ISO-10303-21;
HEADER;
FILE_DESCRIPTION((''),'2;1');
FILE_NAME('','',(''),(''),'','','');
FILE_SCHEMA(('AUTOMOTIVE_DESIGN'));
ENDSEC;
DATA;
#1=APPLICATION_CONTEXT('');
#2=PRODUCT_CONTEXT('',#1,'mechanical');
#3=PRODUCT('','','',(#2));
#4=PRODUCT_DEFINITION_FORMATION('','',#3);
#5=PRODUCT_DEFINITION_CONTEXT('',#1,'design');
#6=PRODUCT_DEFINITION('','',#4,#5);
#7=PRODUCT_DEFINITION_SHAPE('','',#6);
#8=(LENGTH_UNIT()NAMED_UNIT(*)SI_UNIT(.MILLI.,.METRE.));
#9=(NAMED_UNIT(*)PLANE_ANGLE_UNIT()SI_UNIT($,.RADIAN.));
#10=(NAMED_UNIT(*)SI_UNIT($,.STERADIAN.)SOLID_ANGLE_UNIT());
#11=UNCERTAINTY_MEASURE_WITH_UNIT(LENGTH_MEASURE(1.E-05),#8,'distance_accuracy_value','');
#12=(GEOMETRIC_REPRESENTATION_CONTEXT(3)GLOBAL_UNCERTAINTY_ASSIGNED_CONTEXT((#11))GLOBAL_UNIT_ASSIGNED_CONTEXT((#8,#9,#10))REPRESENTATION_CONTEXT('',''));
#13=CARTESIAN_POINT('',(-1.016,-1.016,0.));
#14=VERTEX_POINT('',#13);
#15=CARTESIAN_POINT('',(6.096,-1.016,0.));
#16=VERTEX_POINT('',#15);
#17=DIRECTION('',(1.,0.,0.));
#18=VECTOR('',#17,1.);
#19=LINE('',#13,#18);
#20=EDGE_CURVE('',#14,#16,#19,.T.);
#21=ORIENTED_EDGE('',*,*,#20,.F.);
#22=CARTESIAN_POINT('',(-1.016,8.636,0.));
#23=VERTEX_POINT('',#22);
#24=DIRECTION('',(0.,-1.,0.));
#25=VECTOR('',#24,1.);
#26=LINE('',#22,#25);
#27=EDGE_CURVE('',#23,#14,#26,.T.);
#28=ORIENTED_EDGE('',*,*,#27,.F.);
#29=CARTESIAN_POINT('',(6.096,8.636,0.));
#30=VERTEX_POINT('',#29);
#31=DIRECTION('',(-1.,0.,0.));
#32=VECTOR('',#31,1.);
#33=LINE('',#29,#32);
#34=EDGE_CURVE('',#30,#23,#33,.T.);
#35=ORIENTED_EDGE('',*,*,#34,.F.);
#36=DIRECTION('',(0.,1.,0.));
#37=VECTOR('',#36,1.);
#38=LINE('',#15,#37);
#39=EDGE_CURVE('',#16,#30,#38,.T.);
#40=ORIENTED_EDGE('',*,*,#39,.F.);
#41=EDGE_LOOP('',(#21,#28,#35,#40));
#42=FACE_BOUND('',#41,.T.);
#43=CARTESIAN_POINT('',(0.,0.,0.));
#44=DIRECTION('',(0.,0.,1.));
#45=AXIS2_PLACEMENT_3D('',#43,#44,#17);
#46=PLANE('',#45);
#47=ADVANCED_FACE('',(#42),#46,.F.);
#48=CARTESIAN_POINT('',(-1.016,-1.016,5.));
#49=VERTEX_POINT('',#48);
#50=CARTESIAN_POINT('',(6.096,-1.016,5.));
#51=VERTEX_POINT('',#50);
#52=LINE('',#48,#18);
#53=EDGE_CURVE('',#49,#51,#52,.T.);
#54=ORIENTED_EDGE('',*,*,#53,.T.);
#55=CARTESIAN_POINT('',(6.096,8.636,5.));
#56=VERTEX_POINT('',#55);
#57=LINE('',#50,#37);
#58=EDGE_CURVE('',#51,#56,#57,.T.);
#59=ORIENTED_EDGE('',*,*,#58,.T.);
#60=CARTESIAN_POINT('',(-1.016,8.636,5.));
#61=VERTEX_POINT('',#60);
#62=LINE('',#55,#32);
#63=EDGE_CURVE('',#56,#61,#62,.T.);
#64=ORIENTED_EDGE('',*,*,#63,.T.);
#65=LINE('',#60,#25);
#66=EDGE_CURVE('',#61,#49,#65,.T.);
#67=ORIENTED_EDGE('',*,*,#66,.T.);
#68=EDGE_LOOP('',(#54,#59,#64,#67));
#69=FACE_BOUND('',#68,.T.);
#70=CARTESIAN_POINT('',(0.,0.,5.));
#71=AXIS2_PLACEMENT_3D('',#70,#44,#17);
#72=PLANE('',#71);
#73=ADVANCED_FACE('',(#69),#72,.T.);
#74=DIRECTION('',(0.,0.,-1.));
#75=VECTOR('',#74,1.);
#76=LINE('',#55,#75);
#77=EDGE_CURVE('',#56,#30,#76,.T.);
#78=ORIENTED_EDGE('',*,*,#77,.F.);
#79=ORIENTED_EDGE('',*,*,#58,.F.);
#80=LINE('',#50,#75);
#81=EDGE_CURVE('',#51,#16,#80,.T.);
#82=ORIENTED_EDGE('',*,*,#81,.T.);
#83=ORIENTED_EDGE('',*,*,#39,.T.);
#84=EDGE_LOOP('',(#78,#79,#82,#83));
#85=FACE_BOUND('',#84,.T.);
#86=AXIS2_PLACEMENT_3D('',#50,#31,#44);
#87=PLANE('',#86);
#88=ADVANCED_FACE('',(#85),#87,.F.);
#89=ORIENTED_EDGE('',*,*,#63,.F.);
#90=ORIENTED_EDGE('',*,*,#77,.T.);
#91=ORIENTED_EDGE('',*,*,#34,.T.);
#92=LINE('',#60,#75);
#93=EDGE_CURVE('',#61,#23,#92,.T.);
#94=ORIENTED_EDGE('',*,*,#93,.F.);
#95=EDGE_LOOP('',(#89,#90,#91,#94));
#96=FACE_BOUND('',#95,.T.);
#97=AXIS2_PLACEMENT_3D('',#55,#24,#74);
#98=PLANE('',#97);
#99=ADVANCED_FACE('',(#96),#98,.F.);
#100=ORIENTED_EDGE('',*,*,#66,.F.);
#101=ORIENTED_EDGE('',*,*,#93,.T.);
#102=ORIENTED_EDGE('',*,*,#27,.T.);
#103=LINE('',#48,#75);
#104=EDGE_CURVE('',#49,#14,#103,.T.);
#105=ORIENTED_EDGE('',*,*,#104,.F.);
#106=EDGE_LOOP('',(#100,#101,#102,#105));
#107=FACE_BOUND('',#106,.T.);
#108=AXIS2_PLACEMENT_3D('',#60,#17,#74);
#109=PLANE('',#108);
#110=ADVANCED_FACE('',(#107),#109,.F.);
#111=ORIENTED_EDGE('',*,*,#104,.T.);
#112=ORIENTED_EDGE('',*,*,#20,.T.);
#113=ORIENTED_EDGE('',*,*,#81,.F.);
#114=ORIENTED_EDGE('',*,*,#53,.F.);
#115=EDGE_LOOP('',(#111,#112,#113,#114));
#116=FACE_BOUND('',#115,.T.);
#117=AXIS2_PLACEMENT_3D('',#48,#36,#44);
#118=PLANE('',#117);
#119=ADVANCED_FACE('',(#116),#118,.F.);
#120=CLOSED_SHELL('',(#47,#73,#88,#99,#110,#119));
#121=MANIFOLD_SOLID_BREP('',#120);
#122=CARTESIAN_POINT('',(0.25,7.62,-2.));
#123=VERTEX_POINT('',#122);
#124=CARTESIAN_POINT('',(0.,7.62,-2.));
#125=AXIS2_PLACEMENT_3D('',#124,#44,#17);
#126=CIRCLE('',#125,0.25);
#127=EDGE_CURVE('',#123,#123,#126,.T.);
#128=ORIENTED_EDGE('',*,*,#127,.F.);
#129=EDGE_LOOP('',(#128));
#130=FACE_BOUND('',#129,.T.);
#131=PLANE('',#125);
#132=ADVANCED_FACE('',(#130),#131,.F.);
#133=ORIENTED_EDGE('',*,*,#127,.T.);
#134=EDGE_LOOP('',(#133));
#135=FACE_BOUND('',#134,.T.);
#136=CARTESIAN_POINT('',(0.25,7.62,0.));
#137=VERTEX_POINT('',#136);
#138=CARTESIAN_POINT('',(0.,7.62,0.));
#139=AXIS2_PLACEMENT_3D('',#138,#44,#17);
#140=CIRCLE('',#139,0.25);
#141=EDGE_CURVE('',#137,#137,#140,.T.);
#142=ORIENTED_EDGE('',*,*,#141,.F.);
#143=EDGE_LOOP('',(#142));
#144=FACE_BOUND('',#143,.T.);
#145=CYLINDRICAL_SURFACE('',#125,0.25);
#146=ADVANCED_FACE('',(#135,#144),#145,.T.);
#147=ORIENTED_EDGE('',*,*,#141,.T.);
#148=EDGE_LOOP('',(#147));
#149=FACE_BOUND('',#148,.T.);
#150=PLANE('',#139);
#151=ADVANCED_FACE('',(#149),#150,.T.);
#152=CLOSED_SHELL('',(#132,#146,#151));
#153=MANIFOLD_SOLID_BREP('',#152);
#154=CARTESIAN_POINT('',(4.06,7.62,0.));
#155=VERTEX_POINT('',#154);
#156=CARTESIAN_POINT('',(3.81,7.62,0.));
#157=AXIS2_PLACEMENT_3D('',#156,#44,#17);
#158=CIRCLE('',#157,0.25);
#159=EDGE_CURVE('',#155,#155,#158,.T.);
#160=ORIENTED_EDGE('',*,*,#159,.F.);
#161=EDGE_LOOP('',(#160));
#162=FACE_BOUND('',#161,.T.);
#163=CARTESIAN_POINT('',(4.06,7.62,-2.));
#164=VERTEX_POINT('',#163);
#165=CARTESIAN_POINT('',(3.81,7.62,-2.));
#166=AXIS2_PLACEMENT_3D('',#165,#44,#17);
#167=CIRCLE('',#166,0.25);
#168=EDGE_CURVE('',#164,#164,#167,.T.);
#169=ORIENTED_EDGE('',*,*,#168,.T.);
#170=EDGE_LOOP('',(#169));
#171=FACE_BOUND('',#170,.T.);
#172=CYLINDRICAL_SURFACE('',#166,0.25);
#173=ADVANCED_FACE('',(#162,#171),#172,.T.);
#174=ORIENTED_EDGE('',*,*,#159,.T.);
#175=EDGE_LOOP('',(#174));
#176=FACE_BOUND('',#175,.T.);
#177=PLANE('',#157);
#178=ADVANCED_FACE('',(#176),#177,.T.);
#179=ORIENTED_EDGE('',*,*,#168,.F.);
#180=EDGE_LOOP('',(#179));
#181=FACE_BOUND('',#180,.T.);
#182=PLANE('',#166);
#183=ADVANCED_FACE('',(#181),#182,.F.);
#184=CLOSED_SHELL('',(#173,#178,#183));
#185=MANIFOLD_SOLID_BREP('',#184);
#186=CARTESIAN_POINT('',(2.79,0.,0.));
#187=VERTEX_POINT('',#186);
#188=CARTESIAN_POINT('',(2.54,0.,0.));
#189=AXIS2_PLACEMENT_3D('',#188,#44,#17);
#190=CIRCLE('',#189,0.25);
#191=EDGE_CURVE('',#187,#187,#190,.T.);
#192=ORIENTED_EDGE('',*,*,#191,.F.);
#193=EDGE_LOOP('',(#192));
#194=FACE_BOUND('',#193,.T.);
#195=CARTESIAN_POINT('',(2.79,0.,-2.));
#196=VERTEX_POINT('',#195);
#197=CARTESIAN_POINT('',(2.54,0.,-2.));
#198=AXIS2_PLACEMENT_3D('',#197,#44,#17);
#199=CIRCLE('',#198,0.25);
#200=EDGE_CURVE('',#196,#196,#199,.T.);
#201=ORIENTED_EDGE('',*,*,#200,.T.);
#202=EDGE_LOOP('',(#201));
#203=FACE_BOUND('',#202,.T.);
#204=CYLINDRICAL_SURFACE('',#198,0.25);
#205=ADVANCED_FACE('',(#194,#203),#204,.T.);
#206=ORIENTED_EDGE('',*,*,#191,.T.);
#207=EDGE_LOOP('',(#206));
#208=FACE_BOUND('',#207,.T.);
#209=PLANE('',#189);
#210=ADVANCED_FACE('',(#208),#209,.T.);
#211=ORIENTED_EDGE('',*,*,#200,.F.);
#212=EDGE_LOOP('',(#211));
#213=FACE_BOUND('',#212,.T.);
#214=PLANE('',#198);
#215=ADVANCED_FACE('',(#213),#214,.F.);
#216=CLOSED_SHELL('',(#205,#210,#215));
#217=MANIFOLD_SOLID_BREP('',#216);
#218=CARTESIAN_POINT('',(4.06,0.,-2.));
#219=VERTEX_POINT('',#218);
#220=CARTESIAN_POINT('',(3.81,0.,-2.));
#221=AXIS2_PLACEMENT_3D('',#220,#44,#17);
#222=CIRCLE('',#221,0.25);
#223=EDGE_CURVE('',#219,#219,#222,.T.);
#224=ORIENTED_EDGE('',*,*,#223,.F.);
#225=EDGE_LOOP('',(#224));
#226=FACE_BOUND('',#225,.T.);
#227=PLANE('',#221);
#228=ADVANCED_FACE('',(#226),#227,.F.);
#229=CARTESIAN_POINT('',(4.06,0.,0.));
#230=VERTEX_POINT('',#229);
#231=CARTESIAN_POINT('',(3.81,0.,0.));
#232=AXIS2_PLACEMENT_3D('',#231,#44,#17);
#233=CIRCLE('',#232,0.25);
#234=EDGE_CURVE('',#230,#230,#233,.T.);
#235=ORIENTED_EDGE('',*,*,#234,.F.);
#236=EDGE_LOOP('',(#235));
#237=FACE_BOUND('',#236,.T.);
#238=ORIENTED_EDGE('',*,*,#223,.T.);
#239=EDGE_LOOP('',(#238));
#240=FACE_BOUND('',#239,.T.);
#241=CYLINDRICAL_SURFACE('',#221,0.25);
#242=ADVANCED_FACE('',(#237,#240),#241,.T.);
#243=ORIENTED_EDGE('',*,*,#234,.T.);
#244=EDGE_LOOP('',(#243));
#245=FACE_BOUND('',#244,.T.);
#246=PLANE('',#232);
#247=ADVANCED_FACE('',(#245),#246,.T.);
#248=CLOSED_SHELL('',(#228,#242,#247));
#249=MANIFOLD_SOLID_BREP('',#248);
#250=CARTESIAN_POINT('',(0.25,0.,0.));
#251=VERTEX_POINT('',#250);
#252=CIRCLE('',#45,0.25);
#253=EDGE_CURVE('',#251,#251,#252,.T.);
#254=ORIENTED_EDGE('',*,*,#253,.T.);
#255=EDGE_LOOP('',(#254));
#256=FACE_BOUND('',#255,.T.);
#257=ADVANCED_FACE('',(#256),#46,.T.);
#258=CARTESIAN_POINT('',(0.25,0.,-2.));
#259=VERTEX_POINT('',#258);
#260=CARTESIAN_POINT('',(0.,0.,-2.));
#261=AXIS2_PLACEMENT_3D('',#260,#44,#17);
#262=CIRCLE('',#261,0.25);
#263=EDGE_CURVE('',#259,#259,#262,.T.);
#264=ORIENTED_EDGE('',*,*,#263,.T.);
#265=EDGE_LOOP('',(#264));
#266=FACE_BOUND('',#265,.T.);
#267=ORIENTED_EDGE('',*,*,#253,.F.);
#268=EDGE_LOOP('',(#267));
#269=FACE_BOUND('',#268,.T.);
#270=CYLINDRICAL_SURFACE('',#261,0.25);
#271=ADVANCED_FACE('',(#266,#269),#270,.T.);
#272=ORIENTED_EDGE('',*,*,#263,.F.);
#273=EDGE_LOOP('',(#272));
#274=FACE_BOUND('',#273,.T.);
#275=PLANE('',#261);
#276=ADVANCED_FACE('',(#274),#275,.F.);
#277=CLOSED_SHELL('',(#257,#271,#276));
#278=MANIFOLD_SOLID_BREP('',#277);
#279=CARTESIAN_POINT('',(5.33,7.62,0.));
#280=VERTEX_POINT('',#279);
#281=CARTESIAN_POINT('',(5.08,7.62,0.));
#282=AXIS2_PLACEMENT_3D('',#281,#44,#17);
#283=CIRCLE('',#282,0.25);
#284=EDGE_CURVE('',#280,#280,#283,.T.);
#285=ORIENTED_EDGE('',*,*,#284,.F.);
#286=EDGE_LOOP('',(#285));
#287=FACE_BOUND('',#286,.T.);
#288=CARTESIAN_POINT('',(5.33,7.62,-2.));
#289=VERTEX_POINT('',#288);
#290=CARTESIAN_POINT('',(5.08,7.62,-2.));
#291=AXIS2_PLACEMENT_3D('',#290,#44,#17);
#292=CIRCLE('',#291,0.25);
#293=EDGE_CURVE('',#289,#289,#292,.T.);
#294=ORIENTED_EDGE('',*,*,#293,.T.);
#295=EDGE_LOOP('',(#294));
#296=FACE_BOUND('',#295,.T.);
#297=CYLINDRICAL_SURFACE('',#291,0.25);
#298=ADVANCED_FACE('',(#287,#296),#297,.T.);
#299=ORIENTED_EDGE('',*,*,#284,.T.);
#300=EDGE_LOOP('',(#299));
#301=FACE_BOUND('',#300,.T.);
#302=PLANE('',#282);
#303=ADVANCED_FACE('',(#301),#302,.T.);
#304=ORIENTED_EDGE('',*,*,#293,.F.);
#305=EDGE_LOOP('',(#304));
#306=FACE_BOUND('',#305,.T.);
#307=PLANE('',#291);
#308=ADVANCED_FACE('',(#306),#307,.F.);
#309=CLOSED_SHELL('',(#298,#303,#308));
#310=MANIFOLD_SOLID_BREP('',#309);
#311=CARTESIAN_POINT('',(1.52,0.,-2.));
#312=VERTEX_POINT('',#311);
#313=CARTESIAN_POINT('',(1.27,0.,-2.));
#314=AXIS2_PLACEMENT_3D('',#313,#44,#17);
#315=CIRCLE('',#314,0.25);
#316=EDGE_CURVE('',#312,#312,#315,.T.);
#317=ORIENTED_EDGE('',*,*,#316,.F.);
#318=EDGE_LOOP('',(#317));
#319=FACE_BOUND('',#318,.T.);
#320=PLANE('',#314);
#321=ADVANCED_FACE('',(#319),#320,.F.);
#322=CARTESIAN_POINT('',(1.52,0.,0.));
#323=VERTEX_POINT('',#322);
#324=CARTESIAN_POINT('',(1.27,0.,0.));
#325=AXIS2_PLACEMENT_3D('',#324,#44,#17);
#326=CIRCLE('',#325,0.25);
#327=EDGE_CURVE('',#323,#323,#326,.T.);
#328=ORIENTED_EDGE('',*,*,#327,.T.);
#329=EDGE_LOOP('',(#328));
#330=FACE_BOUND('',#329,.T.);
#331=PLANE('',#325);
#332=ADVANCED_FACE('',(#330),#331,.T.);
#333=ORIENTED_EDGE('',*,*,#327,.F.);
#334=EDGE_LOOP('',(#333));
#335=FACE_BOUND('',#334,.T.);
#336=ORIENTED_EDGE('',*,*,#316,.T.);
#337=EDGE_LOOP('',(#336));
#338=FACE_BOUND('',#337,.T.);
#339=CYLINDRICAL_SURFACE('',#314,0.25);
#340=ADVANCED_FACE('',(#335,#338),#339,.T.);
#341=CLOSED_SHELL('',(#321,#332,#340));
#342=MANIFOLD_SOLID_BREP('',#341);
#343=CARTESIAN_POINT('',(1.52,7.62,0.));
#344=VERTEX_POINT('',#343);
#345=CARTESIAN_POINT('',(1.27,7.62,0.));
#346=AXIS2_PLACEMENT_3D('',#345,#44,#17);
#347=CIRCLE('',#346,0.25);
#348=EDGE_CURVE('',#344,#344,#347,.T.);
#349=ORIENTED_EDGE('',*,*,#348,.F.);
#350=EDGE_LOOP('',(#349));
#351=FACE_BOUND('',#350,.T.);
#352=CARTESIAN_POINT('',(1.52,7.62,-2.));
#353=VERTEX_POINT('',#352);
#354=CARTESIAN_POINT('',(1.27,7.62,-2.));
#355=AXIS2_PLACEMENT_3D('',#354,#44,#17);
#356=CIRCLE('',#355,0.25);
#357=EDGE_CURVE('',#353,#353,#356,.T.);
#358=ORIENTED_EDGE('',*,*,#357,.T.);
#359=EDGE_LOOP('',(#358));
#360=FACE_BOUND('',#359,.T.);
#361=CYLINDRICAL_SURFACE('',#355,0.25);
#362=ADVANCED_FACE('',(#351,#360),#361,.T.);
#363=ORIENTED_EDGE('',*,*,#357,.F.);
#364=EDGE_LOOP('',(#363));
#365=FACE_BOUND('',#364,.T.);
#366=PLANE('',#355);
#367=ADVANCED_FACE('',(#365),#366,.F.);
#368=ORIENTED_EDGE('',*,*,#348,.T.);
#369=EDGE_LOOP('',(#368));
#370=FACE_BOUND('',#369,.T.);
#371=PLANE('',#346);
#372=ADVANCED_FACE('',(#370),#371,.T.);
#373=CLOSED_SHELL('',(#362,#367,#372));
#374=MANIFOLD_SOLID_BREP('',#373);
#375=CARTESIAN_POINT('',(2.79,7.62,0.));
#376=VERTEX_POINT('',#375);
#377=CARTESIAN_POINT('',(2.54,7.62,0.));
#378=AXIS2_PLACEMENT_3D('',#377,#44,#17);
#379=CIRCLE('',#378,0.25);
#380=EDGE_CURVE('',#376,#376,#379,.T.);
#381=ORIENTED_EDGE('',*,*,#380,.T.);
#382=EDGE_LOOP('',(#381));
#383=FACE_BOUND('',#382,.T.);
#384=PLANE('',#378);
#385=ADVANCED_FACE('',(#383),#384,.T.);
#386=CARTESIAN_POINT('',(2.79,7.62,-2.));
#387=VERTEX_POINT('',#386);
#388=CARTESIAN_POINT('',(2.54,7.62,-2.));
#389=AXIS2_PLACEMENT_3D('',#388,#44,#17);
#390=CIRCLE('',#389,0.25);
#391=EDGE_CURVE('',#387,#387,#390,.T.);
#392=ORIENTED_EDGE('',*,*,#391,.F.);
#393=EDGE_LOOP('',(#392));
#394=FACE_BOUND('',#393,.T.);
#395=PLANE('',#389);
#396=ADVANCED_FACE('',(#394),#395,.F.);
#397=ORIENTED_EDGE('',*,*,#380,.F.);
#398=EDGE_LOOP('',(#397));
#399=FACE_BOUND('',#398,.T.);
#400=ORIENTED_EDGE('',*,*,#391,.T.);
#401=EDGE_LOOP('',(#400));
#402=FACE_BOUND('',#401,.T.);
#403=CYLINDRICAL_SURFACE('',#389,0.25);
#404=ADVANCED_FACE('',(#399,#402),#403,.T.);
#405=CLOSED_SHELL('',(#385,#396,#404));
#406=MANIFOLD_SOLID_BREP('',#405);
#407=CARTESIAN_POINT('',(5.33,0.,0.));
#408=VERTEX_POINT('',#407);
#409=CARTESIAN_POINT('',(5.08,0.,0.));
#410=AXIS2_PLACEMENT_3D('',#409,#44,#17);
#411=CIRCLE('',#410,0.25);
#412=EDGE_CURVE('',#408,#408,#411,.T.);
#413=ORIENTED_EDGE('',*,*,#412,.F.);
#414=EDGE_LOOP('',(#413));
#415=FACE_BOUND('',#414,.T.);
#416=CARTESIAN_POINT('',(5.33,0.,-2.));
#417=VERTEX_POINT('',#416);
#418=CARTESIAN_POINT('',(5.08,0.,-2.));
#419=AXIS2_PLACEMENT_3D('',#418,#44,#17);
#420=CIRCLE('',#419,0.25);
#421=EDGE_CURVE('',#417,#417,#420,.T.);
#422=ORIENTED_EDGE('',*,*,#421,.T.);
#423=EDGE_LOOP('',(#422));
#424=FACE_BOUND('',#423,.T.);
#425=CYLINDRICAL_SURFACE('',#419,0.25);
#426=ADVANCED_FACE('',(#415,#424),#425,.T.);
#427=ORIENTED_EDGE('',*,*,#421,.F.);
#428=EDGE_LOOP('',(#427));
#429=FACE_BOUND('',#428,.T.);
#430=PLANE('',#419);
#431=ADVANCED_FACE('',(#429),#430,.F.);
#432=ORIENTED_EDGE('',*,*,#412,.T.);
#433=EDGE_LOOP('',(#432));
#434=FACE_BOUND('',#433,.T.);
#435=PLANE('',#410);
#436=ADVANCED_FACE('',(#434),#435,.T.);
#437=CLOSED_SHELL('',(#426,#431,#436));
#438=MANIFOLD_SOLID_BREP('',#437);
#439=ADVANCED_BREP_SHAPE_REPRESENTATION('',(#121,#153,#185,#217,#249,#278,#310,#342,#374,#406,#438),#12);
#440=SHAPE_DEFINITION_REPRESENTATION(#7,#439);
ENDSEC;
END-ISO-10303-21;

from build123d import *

# Parameters (mm, degrees)
SKETCH1_W               = 7.112
SKETCH1_H               = 9.652
COMPONENT_OUTLINE_DEPTH = 5
SKETCH2_R               = 0.25
EXTRUDE_1_DEPTH         = 2
SKETCH3_R               = 0.25
EXTRUDE_2_DEPTH         = 2
SKETCH4_R               = 0.25
EXTRUDE_3_DEPTH         = 2
SKETCH5_R               = 0.25
EXTRUDE_4_DEPTH         = 2
SKETCH6_R               = 0.25
EXTRUDE_5_DEPTH         = 2
SKETCH7_R               = 0.25
EXTRUDE_6_DEPTH         = 2
SKETCH8_R               = 0.25
EXTRUDE_7_DEPTH         = 2
SKETCH9_R               = 0.25
EXTRUDE_8_DEPTH         = 2
SKETCH10_R              = 0.25
EXTRUDE_9_DEPTH         = 2
SKETCH11_R              = 0.25
EXTRUDE_10_DEPTH        = 2


with BuildPart() as part:
    # Sketch1 → Component_Outline (new body)
    with BuildSketch(Plane.XY):
        with Locations((2.54, 3.81)):
            Rectangle(SKETCH1_W, SKETCH1_H)
    extrude(amount=COMPONENT_OUTLINE_DEPTH)


with BuildPart() as body_2:
    # Sketch2 → Extrude 1 (new body)
    with BuildSketch(Plane.XY):
        Circle(SKETCH2_R)
    extrude(amount=-EXTRUDE_1_DEPTH)


with BuildPart() as body_3:
    # Sketch3 → Extrude 2 (new body)
    with BuildSketch(Plane.XY):
        with Locations((1.27, 0)):
            Circle(SKETCH3_R)
    extrude(amount=-EXTRUDE_2_DEPTH)


with BuildPart() as body_4:
    # Sketch4 → Extrude 3 (new body)
    with BuildSketch(Plane.XY):
        with Locations((2.54, 0)):
            Circle(SKETCH4_R)
    extrude(amount=-EXTRUDE_3_DEPTH)


with BuildPart() as body_5:
    # Sketch5 → Extrude 4 (new body)
    with BuildSketch(Plane.XY):
        with Locations((3.81, 0)):
            Circle(SKETCH5_R)
    extrude(amount=-EXTRUDE_4_DEPTH)


with BuildPart() as body_6:
    # Sketch6 → Extrude 5 (new body)
    with BuildSketch(Plane.XY):
        with Locations((5.08, 0)):
            Circle(SKETCH6_R)
    extrude(amount=-EXTRUDE_5_DEPTH)


with BuildPart() as body_7:
    # Sketch7 → Extrude 6 (new body)
    with BuildSketch(Plane.XY):
        with Locations((5.08, 7.62)):
            Circle(SKETCH7_R)
    extrude(amount=-EXTRUDE_6_DEPTH)


with BuildPart() as body_8:
    # Sketch8 → Extrude 7 (new body)
    with BuildSketch(Plane.XY):
        with Locations((3.81, 7.62)):
            Circle(SKETCH8_R)
    extrude(amount=-EXTRUDE_7_DEPTH)


with BuildPart() as body_9:
    # Sketch9 → Extrude 8 (new body)
    with BuildSketch(Plane.XY):
        with Locations((2.54, 7.62)):
            Circle(SKETCH9_R)
    extrude(amount=-EXTRUDE_8_DEPTH)


with BuildPart() as body_10:
    # Sketch10 → Extrude 9 (new body)
    with BuildSketch(Plane.XY):
        with Locations((1.27, 7.62)):
            Circle(SKETCH10_R)
    extrude(amount=-EXTRUDE_9_DEPTH)


with BuildPart() as body_11:
    # Sketch11 → Extrude 10 (new body)
    with BuildSketch(Plane.XY):
        with Locations((0, 7.62)):
            Circle(SKETCH11_R)
    extrude(amount=-EXTRUDE_10_DEPTH)


solid = Compound([part.part, body_2.part, body_3.part, body_4.part, body_5.part, body_6.part, body_7.part, body_8.part, body_9.part, body_10.part, body_11.part])
